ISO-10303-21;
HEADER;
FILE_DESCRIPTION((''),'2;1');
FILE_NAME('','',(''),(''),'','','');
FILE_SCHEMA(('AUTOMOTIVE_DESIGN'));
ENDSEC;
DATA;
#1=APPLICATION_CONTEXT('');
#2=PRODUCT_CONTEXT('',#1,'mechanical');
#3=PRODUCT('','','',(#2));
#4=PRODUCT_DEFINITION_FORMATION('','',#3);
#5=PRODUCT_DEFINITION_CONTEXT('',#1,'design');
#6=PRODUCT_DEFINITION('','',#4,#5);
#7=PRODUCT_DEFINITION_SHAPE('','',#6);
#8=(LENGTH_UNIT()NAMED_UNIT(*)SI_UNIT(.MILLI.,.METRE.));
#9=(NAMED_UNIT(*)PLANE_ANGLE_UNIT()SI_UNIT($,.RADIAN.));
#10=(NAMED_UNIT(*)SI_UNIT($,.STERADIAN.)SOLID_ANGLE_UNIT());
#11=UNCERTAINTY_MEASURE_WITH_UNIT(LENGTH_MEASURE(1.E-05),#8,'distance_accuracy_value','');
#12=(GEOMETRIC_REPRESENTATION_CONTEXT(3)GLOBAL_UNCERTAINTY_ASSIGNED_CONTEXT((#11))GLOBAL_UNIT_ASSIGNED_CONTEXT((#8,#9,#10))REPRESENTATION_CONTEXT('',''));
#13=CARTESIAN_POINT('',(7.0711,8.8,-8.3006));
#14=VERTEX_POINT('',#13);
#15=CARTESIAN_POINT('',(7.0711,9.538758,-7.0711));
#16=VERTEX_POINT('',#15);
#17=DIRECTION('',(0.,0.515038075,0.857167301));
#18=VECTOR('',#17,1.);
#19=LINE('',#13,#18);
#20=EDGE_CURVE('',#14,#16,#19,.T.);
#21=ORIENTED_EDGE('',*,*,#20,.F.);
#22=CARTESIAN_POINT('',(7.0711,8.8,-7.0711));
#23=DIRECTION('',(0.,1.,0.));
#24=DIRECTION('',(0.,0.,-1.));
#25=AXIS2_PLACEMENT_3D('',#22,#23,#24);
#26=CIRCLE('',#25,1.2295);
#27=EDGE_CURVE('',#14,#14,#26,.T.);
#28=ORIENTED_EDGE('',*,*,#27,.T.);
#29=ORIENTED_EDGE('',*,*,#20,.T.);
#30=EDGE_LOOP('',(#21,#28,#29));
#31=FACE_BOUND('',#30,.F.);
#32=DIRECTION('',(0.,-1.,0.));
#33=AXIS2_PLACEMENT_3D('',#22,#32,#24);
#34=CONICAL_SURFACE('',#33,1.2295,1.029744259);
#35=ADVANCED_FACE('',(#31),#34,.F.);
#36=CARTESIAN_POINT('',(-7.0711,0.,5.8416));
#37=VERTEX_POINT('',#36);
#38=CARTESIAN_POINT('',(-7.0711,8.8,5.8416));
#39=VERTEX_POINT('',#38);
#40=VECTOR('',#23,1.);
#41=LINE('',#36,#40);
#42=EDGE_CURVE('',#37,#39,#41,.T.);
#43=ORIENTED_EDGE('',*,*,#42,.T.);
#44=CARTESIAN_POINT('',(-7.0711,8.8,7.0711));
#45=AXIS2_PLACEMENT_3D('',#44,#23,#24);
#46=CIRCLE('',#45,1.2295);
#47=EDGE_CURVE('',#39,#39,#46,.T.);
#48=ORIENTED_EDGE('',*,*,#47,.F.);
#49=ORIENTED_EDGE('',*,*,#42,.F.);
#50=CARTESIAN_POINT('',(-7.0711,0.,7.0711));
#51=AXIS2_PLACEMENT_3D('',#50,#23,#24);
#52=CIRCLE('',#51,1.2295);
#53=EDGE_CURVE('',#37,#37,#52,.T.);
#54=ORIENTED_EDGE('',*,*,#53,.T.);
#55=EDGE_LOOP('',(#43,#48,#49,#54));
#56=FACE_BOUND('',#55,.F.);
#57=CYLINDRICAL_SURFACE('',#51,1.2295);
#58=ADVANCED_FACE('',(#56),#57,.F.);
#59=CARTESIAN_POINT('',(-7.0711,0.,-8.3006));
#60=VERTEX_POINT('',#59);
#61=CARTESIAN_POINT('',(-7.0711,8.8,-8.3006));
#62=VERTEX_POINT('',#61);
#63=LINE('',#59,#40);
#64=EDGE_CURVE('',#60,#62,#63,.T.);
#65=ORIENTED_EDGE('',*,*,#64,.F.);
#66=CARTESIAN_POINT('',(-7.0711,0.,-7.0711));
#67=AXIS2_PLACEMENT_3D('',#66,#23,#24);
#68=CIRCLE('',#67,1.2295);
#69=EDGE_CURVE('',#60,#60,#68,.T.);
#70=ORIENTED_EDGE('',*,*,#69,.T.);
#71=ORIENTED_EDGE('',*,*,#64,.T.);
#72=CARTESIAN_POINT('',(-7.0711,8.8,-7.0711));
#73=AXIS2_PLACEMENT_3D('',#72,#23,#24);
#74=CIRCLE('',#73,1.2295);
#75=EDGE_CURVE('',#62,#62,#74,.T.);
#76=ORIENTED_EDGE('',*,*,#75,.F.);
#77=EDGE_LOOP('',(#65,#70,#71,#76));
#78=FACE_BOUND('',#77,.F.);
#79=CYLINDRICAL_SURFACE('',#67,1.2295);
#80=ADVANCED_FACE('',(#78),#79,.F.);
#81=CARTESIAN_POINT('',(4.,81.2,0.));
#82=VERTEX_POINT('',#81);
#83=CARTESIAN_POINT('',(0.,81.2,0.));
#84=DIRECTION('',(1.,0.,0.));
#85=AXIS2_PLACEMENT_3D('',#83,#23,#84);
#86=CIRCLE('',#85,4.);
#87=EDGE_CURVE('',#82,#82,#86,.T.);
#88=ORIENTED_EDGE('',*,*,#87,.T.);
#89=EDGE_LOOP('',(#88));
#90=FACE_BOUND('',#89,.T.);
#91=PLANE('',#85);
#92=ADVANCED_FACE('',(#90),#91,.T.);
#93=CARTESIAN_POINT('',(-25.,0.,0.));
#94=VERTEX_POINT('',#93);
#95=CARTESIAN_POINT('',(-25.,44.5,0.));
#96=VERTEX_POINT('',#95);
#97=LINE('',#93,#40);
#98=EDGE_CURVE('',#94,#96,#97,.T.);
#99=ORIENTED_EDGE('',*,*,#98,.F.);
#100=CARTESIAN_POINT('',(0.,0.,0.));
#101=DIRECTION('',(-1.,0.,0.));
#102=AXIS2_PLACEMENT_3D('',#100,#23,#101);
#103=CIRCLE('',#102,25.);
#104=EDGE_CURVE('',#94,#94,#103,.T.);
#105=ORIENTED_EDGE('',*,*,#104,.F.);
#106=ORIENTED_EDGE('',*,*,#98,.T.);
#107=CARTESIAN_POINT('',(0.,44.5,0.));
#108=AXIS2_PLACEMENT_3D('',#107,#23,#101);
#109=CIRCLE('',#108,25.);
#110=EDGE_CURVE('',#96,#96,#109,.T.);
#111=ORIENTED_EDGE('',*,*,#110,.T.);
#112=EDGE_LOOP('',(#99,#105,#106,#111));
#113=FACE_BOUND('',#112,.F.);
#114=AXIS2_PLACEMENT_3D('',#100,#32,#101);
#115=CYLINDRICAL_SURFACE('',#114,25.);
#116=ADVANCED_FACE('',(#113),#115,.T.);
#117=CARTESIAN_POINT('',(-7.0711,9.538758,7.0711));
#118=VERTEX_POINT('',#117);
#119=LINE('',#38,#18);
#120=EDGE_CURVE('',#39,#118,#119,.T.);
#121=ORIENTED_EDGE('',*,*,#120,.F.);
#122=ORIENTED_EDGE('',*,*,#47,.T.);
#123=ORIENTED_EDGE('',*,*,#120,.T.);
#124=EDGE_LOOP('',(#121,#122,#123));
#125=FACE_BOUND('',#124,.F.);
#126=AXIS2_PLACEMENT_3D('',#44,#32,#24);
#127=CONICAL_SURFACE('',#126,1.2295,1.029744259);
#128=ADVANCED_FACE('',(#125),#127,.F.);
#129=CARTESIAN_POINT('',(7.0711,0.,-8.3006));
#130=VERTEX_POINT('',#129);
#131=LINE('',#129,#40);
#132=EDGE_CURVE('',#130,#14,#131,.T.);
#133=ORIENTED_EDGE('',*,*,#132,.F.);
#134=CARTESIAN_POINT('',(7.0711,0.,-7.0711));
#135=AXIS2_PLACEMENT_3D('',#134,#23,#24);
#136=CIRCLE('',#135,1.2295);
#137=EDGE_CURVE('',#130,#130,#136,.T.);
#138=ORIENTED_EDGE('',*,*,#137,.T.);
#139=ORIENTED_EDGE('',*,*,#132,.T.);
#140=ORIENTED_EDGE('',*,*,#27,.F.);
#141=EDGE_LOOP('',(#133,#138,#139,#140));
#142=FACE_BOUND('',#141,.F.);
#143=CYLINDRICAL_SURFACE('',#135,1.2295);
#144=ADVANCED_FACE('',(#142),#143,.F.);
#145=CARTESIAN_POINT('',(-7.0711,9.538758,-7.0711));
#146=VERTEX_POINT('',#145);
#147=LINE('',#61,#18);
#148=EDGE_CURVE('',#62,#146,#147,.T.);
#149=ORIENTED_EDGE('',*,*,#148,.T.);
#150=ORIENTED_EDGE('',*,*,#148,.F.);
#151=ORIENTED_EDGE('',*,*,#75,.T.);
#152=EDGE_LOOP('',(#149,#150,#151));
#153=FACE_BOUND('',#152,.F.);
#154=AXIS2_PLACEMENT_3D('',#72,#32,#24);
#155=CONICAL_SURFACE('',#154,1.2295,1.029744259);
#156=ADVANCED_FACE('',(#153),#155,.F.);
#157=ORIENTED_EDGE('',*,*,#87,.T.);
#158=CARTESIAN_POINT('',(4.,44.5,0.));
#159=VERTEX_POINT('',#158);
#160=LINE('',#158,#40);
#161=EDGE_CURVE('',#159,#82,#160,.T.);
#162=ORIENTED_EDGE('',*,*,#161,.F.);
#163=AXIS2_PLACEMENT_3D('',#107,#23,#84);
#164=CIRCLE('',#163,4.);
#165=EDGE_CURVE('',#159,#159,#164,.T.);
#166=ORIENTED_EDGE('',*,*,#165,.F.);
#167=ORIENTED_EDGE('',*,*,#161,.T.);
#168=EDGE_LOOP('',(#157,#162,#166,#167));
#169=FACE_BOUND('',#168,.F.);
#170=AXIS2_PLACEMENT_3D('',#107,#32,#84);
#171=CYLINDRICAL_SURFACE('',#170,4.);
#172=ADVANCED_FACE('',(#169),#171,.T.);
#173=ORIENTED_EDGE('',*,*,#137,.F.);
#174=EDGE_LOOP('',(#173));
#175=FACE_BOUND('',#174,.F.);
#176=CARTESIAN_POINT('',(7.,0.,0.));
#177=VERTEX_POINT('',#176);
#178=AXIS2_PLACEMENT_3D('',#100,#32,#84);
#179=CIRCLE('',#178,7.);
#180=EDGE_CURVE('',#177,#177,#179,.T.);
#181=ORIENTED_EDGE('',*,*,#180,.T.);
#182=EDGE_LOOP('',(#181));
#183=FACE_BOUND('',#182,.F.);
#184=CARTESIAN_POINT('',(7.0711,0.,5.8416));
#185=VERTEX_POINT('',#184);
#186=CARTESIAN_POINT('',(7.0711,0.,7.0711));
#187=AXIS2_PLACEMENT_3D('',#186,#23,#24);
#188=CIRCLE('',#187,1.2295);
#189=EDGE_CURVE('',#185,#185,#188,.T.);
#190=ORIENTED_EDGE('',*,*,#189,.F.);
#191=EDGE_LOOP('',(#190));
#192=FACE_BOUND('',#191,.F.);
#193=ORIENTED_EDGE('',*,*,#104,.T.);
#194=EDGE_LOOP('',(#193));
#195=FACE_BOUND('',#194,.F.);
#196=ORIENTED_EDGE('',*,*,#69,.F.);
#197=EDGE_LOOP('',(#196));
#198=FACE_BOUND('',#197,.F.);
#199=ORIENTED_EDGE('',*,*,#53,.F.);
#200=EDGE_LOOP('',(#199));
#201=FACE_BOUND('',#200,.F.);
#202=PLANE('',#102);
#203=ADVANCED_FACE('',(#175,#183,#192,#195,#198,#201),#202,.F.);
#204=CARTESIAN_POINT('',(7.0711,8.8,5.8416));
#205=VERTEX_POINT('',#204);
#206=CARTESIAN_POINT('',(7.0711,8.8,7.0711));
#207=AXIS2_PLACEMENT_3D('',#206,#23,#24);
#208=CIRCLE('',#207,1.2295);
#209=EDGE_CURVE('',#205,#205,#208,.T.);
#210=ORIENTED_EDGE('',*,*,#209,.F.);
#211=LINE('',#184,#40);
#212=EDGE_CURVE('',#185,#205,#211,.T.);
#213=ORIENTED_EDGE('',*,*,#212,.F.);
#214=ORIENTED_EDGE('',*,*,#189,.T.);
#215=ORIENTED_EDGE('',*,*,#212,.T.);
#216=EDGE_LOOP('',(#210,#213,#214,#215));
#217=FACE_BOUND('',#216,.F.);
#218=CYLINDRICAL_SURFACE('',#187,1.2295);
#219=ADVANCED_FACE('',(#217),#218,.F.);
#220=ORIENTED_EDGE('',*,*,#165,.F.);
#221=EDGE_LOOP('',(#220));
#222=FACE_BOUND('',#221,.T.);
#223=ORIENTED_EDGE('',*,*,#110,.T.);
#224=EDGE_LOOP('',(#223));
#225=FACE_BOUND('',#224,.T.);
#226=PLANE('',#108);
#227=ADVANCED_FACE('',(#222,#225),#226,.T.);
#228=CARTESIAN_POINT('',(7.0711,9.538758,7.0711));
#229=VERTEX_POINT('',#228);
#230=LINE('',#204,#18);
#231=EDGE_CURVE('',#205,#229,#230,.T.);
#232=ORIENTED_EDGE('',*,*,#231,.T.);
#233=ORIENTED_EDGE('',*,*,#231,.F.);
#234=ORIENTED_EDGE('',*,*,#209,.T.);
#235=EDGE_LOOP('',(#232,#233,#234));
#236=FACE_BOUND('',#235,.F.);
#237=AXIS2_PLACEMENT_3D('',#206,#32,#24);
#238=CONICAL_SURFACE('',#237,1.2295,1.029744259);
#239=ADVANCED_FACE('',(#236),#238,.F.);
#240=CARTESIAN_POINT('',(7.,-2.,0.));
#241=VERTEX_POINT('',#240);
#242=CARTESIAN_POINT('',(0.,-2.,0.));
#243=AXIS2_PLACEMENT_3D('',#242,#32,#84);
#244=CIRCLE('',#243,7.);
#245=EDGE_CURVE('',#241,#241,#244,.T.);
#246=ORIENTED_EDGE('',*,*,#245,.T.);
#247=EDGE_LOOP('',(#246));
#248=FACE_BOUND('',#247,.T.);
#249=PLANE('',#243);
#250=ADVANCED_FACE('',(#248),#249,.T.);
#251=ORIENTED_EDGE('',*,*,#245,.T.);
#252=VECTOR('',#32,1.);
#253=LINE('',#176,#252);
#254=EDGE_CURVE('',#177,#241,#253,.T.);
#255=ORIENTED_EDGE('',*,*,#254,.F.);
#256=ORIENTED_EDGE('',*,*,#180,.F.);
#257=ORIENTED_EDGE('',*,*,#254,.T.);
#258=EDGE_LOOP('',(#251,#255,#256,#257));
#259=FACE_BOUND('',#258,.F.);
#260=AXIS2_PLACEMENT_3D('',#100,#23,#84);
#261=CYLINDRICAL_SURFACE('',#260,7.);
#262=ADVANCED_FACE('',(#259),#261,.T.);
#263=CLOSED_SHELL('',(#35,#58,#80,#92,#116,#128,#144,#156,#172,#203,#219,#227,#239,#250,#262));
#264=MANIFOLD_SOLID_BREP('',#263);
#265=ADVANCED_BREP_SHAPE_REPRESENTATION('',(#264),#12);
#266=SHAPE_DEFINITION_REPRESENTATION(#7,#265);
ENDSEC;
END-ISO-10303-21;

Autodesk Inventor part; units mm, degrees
ref_plane "YZ Plane" through (0, 0, 0) normal (1, 0, 0) x (0, 1, 0)
ref_plane "XZ Plane" through (0, 0, 0) normal (0, 1, 0) x (-1, 0, 0)
ref_plane "XY Plane" through (0, 0, 0) normal (0, 0, 1) x (1, 0, 0)
sketch "スケッチ7" plane through (0, 0, 0) normal (0, 1, 0) x (-1, 0, 0)
  circle A0 centre (0, 0) radius 25
  dimension "d28" = 50
extrude "押し出し4" add sketch "スケッチ7" along normal blind 44.5
sketch "スケッチ8" plane through (0, 44.5, 0) normal (0, 1, 0) x (1, 0, 0)
  circle A0 centre (0, 0) radius 4
  dimension "d31" = 8
extrude "押し出し5" add sketch "スケッチ8" along normal blind 36.7
sketch "スケッチ9" plane through (0, 0, 0) normal (0, -1, 0) x (1, 0, 0)
  line L0 (0, 0) -> (7.0711, -7.0711)
  line L1 (0, 0) -> (10, 0) construction
  point P0 (7.0711, 7.0711)
  point P1 (-7.0711, 7.0711)
  point P2 (-7.0711, -7.0711)
  dimension "d34" = 10
  dimension "d35" = 45
  dimension "d38" = 360
hole "穴2" at (7.0711, 0, -7.0711) at (7.0711, 0, 7.0711) at (-7.0711, 0, 7.0711) at (-7.0711, 0, -7.0711) direction (0, 1, 0) diameter 2.459 depth 8.8 tip angle 118 thread size "M3x0.5" class "6H" standard "ISO Metric profile"
sketch "スケッチ11" plane through (0, 0, 0) normal (0, -1, 0) x (1, 0, 0)
  circle A0 centre (0, 0) radius 7
  dimension "d52" = 14
extrude "押し出し7" add sketch "スケッチ11" along normal blind 2
properties part number "Rotar" material "アルミニウム 6061"
